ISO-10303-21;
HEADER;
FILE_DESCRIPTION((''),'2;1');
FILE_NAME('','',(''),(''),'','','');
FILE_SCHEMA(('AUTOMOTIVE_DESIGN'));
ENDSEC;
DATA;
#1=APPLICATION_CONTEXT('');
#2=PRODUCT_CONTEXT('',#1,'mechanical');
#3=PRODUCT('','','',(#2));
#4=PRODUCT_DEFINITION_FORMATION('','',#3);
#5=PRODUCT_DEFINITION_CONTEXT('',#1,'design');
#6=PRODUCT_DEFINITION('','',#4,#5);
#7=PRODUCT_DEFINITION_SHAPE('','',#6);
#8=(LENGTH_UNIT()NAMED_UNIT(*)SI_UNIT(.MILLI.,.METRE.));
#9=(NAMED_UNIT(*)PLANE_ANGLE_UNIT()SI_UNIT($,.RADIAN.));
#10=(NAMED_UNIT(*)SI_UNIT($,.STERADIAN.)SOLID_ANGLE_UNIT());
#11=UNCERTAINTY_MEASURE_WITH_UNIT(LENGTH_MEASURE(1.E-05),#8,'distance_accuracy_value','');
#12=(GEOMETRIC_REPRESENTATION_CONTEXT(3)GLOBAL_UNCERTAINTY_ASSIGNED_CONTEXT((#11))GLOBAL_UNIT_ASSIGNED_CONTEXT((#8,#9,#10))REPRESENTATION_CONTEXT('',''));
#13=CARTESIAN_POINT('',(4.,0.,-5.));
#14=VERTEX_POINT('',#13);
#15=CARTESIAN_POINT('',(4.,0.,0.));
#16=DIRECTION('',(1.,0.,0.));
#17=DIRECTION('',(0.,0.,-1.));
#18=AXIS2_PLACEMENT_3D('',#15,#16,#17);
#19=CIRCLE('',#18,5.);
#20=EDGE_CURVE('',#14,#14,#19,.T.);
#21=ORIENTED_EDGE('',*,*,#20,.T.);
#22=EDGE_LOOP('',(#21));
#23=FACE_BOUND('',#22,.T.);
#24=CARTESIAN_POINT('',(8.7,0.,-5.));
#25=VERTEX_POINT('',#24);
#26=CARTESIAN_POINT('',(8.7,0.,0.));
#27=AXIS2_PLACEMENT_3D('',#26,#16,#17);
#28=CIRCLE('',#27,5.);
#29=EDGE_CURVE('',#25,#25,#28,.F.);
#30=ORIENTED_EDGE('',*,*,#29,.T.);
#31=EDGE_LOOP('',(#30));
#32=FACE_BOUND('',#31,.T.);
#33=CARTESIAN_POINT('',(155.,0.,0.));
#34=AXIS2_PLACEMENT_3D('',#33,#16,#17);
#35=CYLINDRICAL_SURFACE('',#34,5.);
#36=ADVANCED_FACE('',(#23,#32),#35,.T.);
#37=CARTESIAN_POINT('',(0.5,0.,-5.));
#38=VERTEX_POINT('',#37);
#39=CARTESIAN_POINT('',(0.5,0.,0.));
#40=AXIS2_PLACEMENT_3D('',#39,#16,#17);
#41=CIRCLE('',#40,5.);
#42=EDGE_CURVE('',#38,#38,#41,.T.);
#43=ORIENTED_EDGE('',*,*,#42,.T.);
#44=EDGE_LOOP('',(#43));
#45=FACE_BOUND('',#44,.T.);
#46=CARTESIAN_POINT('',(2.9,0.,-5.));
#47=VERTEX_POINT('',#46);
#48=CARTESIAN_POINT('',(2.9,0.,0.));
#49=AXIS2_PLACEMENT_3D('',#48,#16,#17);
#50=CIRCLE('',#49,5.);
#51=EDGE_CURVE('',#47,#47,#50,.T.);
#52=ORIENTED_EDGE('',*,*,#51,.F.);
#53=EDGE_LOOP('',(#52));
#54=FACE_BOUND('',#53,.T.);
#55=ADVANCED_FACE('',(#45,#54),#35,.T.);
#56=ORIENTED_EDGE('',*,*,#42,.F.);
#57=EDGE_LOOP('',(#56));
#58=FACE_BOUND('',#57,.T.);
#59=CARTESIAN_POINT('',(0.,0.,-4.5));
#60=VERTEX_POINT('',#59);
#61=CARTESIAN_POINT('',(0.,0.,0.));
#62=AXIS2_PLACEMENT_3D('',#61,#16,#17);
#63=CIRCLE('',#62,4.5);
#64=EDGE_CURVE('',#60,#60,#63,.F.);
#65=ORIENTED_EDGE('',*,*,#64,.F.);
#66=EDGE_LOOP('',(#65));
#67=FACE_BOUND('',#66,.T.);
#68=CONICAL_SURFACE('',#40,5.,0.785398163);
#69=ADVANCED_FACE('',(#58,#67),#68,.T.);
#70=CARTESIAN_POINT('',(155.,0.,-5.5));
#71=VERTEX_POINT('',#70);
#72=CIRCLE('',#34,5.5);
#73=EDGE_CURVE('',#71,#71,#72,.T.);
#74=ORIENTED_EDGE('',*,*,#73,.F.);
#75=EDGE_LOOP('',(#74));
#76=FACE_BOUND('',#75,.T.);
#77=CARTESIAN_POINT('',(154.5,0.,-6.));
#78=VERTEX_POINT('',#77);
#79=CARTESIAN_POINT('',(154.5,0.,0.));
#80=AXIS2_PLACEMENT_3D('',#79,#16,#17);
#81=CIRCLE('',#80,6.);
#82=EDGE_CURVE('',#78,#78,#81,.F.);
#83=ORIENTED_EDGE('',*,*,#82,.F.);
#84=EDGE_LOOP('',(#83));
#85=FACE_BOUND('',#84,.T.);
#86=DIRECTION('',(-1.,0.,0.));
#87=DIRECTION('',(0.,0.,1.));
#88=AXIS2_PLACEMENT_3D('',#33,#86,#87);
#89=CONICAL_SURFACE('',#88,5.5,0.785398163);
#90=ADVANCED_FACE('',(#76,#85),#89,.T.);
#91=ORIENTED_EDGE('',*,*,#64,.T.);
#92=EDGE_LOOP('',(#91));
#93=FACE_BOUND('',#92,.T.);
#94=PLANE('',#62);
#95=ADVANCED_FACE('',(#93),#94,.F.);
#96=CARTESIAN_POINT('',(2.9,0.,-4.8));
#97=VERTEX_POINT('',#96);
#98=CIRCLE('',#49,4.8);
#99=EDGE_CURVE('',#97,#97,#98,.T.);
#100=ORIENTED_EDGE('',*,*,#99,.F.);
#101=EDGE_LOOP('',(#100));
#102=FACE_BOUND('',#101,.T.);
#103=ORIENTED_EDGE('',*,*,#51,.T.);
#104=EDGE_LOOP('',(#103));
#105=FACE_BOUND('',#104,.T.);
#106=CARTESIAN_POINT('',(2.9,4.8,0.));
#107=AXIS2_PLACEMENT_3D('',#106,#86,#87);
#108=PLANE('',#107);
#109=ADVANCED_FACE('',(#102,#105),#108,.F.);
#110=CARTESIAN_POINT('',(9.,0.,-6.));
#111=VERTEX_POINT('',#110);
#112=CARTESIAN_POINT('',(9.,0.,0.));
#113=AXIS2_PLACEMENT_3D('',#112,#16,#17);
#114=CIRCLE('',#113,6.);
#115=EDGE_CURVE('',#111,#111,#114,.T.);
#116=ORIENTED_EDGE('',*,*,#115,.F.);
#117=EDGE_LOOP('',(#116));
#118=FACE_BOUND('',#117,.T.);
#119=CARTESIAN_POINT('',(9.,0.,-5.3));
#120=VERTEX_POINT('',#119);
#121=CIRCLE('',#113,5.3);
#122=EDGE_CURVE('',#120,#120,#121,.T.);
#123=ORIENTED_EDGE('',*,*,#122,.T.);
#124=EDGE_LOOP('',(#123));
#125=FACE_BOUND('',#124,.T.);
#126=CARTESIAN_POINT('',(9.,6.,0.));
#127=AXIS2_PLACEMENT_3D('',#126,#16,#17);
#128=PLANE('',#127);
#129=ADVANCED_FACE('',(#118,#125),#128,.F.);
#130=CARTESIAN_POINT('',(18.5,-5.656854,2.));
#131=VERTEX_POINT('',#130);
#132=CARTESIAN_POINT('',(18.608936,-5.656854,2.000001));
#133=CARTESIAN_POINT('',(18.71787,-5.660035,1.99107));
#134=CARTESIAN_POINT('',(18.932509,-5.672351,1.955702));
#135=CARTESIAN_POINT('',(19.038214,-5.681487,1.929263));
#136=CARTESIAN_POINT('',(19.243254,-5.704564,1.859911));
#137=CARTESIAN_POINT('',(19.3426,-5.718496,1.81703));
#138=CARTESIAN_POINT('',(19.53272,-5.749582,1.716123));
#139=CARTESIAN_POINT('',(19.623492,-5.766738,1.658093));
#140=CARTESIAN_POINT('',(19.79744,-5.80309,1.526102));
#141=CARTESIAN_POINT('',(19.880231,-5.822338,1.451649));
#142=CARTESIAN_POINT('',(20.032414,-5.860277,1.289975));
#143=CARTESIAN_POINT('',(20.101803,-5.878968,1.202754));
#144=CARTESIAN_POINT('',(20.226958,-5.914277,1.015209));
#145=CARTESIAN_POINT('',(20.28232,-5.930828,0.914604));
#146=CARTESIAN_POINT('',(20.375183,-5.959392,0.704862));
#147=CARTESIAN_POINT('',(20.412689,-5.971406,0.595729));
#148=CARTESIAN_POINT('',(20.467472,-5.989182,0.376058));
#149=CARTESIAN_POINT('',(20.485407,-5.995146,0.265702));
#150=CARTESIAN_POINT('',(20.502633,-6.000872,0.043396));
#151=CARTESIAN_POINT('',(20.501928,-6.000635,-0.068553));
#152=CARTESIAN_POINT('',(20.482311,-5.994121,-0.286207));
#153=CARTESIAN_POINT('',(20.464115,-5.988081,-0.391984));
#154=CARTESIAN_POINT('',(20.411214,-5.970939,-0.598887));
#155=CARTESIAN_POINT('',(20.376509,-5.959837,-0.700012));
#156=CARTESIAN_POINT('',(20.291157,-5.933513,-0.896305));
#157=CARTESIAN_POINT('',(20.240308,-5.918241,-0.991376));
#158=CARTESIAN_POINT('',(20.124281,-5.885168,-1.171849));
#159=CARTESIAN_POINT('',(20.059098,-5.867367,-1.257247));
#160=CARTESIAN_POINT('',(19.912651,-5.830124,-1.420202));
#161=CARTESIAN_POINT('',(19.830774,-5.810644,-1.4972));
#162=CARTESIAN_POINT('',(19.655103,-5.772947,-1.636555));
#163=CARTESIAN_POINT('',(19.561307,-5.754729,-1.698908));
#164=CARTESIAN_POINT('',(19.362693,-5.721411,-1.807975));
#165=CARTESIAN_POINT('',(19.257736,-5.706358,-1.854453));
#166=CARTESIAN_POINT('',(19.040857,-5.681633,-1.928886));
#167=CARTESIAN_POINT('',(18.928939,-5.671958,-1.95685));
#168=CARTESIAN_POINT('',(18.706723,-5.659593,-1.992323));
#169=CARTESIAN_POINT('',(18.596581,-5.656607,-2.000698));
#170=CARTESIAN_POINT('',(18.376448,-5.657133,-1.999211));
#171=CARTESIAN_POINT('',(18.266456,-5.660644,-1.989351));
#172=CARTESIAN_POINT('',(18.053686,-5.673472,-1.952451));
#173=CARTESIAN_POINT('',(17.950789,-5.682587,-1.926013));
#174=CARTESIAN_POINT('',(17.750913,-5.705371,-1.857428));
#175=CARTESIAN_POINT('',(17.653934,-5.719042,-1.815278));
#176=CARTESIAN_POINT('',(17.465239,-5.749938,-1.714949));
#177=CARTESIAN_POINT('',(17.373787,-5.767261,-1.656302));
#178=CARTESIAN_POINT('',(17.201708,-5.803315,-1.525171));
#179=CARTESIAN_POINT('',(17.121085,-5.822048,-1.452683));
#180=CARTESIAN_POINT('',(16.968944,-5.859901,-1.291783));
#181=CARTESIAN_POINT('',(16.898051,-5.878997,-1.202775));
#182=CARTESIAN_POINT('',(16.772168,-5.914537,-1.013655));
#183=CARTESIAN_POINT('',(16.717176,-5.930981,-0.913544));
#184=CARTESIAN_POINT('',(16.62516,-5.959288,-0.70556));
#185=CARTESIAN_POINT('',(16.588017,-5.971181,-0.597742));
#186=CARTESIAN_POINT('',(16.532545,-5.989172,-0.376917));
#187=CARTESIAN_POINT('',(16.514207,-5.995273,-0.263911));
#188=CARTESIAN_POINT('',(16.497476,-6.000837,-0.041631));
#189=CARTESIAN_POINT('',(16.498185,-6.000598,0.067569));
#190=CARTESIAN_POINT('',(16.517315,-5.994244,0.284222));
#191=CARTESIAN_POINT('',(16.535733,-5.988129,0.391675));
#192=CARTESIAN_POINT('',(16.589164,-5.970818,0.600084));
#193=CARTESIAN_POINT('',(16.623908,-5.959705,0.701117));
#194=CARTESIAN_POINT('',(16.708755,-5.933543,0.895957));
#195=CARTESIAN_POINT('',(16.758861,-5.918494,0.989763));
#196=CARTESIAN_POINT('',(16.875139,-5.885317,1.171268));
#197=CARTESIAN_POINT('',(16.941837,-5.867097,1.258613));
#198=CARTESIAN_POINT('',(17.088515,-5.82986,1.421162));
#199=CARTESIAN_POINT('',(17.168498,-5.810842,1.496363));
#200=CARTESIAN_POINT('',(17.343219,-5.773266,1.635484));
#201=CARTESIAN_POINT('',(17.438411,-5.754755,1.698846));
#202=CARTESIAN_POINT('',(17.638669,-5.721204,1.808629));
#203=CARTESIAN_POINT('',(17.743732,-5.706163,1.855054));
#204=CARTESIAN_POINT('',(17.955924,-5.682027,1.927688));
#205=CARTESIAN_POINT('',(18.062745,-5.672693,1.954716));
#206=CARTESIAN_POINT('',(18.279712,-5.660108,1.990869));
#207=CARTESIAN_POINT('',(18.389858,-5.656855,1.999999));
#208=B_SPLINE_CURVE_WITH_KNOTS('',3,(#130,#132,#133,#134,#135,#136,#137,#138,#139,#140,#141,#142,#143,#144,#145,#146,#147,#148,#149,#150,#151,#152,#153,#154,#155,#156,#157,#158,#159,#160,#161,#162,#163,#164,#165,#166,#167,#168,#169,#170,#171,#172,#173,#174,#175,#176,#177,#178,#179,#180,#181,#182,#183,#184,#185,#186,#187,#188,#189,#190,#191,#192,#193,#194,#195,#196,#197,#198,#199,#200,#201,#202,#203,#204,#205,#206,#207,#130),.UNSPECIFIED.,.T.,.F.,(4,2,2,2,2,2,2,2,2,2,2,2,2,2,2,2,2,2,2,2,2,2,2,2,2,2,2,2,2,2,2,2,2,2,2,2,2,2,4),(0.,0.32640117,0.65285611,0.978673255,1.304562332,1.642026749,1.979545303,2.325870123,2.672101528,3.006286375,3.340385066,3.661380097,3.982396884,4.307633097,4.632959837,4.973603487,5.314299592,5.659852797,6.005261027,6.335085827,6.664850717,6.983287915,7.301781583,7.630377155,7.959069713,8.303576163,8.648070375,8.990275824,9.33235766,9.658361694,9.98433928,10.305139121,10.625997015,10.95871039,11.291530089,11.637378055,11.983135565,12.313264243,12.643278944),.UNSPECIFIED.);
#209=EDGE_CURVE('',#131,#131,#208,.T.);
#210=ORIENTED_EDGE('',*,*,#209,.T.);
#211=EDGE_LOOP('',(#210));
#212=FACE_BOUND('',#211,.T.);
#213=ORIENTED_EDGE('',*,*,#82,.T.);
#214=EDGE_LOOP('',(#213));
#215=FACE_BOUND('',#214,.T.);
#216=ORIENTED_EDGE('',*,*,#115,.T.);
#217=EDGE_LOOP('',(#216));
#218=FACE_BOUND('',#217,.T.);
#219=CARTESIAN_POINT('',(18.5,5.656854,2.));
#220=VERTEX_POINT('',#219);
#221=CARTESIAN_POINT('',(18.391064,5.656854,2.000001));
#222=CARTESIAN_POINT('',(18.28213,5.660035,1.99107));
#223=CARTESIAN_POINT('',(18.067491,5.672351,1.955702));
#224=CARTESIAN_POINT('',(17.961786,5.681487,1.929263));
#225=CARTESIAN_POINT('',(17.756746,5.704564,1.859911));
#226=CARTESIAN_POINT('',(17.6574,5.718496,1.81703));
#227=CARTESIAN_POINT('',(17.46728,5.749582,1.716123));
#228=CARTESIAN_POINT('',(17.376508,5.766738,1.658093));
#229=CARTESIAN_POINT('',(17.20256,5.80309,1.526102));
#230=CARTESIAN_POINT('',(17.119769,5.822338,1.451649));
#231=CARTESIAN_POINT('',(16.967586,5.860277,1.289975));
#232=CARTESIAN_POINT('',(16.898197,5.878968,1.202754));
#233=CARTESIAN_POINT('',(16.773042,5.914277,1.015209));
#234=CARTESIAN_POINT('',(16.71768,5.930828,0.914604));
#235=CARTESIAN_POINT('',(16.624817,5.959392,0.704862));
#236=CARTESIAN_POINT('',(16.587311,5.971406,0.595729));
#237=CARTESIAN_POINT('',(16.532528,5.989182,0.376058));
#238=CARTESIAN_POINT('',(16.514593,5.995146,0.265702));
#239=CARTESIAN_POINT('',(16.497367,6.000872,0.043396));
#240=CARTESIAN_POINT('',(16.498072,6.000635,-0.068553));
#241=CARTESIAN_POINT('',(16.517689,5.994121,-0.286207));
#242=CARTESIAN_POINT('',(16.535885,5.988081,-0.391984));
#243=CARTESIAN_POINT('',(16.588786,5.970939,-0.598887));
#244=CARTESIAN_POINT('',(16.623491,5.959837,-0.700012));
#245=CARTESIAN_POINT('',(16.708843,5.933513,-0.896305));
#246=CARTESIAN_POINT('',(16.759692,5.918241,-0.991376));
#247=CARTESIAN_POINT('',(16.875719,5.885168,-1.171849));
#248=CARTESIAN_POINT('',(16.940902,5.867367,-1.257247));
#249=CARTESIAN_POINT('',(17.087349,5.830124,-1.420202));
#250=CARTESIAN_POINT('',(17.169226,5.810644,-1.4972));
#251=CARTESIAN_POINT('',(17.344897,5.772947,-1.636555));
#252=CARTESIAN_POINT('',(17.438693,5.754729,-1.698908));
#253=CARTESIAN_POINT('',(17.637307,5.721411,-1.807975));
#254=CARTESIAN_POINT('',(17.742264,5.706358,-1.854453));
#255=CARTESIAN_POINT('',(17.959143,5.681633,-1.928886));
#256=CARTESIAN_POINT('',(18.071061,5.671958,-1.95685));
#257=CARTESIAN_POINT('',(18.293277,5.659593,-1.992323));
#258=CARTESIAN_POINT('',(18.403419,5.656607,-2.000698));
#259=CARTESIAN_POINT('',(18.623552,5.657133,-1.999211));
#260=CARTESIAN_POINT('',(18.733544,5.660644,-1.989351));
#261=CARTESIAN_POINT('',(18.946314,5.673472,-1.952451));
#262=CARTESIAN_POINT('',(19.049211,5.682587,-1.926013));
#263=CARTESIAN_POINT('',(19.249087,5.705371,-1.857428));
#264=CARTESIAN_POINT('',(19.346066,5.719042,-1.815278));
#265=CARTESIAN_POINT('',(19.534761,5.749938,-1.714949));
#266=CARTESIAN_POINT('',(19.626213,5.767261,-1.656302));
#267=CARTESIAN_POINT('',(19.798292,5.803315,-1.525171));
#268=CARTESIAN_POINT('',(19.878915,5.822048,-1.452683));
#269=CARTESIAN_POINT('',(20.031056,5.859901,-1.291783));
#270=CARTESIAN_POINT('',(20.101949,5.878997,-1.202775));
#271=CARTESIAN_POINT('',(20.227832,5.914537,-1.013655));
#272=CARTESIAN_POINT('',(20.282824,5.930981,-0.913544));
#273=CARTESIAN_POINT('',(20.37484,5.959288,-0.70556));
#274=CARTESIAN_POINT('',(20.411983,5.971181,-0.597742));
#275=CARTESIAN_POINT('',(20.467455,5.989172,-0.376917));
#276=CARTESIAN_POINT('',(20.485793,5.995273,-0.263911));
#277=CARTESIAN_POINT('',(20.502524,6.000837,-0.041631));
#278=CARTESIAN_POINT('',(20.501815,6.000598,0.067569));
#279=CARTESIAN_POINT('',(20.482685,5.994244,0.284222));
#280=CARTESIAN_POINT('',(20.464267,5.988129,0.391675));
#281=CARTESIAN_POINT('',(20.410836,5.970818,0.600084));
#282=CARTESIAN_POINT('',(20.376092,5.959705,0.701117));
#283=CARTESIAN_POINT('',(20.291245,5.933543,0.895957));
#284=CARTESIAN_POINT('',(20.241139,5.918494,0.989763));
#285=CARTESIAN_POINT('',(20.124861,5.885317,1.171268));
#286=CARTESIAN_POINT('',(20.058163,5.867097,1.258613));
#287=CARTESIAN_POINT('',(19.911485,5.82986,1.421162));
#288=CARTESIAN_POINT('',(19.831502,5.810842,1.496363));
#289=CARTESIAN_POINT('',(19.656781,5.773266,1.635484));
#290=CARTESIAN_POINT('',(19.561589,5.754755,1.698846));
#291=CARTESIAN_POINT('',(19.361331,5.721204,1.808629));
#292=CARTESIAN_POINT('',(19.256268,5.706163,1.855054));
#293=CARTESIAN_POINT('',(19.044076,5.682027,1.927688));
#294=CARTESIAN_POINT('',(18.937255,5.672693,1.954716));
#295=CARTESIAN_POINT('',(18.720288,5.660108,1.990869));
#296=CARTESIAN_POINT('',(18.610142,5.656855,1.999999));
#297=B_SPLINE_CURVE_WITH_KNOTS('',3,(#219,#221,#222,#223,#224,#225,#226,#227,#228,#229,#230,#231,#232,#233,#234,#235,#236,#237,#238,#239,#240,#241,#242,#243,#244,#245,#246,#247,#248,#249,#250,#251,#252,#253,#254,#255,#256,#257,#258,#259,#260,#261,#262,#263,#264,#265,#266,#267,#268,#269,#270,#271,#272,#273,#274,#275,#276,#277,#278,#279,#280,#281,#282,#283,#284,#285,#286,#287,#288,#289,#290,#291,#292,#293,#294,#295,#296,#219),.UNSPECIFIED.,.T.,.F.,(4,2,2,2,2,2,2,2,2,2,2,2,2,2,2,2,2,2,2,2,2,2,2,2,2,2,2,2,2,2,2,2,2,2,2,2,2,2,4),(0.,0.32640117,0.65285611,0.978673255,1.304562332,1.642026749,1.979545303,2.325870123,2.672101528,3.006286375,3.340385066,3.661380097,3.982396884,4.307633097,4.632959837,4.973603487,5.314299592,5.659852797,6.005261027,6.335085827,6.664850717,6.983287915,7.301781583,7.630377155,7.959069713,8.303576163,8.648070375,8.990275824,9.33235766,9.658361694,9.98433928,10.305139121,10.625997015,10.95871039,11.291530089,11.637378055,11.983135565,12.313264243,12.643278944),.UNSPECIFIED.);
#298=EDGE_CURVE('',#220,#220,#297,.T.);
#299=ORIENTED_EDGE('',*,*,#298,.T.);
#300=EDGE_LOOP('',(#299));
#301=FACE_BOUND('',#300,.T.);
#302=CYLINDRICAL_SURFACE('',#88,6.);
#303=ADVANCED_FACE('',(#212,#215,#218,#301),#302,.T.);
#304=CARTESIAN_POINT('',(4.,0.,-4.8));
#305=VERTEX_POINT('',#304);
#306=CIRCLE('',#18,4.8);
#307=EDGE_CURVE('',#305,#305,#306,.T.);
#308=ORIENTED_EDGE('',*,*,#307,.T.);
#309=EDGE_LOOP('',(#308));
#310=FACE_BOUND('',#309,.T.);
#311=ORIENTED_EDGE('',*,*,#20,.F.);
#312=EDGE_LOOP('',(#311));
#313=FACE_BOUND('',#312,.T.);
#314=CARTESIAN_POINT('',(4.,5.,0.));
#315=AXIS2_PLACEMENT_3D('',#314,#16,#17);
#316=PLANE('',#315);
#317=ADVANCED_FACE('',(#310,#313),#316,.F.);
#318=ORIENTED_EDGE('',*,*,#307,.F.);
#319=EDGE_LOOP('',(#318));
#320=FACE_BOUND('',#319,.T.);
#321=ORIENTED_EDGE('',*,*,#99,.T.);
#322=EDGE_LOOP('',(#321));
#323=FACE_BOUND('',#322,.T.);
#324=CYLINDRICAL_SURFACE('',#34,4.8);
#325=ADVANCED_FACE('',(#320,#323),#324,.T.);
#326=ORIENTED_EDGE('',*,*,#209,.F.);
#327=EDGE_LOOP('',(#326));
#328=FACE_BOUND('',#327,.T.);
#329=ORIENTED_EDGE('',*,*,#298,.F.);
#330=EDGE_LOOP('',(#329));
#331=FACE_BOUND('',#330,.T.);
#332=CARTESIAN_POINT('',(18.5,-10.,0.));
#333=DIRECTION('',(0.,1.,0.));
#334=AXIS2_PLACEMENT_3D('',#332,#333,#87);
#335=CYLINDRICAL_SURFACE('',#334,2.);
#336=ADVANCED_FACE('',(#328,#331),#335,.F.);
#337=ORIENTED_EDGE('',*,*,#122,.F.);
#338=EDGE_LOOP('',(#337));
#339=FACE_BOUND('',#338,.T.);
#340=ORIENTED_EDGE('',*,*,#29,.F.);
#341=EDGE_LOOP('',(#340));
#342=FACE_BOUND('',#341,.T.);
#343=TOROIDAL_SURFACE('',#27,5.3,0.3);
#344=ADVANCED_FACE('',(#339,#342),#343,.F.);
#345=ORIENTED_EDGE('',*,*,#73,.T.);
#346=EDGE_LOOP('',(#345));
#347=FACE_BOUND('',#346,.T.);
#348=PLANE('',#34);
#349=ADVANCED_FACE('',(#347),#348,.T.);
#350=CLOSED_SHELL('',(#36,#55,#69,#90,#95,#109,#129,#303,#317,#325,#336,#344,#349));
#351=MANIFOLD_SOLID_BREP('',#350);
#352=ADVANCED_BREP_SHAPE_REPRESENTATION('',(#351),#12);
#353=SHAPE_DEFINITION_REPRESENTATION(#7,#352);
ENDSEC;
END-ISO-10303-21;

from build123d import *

# Parameters (mm, degrees)
SKETCH1_R           = 6
BOSS_EXTRUDE1_DEPTH = 155
SKETCH3_R           = 2
CUT_EXTRUDE1_DEPTH  = 10
CHAMFER1_SIZE       = 0.5
FILLET1_R           = 0.3


with BuildPart() as part:
    # Sketch1 → Boss-Extrude1 (new body)
    with BuildSketch(Plane(origin=(0, 0, 0), x_dir=(0, 0, -1), z_dir=(1, 0, 0))):
        Circle(SKETCH1_R)
    extrude(amount=BOSS_EXTRUDE1_DEPTH)

    # Sketch2 → Cut-Revolve1 (revolve, cut)
    with BuildSketch(Plane.XY):
        Polygon((0, 5), (0, 6), (9, 6), (9, 5), (4, 5), (4, 4.8), (2.9, 4.8), (2.9, 5), align=None)
    revolve(axis=Axis((155, 0, 0), (-1, 0, 0)), mode=Mode.SUBTRACT)

    # Sketch3 → Cut-Extrude1 (cut, symmetric)
    with BuildSketch(Plane(origin=(0, 0, 0), x_dir=(1, 0, 0), z_dir=(0, 1, 0))):
        with Locations((18.5, 0)):
            Circle(SKETCH3_R)
    extrude(amount=CUT_EXTRUDE1_DEPTH, both=True, mode=Mode.SUBTRACT)

    # Chamfer1
    chamfer1_edges = [part.edges().sort_by_distance(p)[0] for p in [
        (155, 0, 6),
        (0, -5, 0),
    ]]
    chamfer(chamfer1_edges, length=CHAMFER1_SIZE)

    # Fillet1
    fillet1_edges = [part.edges().sort_by_distance(p)[0] for p in [
        (9, -5, 0),
    ]]
    fillet(fillet1_edges, radius=FILLET1_R)


solid = part.part
